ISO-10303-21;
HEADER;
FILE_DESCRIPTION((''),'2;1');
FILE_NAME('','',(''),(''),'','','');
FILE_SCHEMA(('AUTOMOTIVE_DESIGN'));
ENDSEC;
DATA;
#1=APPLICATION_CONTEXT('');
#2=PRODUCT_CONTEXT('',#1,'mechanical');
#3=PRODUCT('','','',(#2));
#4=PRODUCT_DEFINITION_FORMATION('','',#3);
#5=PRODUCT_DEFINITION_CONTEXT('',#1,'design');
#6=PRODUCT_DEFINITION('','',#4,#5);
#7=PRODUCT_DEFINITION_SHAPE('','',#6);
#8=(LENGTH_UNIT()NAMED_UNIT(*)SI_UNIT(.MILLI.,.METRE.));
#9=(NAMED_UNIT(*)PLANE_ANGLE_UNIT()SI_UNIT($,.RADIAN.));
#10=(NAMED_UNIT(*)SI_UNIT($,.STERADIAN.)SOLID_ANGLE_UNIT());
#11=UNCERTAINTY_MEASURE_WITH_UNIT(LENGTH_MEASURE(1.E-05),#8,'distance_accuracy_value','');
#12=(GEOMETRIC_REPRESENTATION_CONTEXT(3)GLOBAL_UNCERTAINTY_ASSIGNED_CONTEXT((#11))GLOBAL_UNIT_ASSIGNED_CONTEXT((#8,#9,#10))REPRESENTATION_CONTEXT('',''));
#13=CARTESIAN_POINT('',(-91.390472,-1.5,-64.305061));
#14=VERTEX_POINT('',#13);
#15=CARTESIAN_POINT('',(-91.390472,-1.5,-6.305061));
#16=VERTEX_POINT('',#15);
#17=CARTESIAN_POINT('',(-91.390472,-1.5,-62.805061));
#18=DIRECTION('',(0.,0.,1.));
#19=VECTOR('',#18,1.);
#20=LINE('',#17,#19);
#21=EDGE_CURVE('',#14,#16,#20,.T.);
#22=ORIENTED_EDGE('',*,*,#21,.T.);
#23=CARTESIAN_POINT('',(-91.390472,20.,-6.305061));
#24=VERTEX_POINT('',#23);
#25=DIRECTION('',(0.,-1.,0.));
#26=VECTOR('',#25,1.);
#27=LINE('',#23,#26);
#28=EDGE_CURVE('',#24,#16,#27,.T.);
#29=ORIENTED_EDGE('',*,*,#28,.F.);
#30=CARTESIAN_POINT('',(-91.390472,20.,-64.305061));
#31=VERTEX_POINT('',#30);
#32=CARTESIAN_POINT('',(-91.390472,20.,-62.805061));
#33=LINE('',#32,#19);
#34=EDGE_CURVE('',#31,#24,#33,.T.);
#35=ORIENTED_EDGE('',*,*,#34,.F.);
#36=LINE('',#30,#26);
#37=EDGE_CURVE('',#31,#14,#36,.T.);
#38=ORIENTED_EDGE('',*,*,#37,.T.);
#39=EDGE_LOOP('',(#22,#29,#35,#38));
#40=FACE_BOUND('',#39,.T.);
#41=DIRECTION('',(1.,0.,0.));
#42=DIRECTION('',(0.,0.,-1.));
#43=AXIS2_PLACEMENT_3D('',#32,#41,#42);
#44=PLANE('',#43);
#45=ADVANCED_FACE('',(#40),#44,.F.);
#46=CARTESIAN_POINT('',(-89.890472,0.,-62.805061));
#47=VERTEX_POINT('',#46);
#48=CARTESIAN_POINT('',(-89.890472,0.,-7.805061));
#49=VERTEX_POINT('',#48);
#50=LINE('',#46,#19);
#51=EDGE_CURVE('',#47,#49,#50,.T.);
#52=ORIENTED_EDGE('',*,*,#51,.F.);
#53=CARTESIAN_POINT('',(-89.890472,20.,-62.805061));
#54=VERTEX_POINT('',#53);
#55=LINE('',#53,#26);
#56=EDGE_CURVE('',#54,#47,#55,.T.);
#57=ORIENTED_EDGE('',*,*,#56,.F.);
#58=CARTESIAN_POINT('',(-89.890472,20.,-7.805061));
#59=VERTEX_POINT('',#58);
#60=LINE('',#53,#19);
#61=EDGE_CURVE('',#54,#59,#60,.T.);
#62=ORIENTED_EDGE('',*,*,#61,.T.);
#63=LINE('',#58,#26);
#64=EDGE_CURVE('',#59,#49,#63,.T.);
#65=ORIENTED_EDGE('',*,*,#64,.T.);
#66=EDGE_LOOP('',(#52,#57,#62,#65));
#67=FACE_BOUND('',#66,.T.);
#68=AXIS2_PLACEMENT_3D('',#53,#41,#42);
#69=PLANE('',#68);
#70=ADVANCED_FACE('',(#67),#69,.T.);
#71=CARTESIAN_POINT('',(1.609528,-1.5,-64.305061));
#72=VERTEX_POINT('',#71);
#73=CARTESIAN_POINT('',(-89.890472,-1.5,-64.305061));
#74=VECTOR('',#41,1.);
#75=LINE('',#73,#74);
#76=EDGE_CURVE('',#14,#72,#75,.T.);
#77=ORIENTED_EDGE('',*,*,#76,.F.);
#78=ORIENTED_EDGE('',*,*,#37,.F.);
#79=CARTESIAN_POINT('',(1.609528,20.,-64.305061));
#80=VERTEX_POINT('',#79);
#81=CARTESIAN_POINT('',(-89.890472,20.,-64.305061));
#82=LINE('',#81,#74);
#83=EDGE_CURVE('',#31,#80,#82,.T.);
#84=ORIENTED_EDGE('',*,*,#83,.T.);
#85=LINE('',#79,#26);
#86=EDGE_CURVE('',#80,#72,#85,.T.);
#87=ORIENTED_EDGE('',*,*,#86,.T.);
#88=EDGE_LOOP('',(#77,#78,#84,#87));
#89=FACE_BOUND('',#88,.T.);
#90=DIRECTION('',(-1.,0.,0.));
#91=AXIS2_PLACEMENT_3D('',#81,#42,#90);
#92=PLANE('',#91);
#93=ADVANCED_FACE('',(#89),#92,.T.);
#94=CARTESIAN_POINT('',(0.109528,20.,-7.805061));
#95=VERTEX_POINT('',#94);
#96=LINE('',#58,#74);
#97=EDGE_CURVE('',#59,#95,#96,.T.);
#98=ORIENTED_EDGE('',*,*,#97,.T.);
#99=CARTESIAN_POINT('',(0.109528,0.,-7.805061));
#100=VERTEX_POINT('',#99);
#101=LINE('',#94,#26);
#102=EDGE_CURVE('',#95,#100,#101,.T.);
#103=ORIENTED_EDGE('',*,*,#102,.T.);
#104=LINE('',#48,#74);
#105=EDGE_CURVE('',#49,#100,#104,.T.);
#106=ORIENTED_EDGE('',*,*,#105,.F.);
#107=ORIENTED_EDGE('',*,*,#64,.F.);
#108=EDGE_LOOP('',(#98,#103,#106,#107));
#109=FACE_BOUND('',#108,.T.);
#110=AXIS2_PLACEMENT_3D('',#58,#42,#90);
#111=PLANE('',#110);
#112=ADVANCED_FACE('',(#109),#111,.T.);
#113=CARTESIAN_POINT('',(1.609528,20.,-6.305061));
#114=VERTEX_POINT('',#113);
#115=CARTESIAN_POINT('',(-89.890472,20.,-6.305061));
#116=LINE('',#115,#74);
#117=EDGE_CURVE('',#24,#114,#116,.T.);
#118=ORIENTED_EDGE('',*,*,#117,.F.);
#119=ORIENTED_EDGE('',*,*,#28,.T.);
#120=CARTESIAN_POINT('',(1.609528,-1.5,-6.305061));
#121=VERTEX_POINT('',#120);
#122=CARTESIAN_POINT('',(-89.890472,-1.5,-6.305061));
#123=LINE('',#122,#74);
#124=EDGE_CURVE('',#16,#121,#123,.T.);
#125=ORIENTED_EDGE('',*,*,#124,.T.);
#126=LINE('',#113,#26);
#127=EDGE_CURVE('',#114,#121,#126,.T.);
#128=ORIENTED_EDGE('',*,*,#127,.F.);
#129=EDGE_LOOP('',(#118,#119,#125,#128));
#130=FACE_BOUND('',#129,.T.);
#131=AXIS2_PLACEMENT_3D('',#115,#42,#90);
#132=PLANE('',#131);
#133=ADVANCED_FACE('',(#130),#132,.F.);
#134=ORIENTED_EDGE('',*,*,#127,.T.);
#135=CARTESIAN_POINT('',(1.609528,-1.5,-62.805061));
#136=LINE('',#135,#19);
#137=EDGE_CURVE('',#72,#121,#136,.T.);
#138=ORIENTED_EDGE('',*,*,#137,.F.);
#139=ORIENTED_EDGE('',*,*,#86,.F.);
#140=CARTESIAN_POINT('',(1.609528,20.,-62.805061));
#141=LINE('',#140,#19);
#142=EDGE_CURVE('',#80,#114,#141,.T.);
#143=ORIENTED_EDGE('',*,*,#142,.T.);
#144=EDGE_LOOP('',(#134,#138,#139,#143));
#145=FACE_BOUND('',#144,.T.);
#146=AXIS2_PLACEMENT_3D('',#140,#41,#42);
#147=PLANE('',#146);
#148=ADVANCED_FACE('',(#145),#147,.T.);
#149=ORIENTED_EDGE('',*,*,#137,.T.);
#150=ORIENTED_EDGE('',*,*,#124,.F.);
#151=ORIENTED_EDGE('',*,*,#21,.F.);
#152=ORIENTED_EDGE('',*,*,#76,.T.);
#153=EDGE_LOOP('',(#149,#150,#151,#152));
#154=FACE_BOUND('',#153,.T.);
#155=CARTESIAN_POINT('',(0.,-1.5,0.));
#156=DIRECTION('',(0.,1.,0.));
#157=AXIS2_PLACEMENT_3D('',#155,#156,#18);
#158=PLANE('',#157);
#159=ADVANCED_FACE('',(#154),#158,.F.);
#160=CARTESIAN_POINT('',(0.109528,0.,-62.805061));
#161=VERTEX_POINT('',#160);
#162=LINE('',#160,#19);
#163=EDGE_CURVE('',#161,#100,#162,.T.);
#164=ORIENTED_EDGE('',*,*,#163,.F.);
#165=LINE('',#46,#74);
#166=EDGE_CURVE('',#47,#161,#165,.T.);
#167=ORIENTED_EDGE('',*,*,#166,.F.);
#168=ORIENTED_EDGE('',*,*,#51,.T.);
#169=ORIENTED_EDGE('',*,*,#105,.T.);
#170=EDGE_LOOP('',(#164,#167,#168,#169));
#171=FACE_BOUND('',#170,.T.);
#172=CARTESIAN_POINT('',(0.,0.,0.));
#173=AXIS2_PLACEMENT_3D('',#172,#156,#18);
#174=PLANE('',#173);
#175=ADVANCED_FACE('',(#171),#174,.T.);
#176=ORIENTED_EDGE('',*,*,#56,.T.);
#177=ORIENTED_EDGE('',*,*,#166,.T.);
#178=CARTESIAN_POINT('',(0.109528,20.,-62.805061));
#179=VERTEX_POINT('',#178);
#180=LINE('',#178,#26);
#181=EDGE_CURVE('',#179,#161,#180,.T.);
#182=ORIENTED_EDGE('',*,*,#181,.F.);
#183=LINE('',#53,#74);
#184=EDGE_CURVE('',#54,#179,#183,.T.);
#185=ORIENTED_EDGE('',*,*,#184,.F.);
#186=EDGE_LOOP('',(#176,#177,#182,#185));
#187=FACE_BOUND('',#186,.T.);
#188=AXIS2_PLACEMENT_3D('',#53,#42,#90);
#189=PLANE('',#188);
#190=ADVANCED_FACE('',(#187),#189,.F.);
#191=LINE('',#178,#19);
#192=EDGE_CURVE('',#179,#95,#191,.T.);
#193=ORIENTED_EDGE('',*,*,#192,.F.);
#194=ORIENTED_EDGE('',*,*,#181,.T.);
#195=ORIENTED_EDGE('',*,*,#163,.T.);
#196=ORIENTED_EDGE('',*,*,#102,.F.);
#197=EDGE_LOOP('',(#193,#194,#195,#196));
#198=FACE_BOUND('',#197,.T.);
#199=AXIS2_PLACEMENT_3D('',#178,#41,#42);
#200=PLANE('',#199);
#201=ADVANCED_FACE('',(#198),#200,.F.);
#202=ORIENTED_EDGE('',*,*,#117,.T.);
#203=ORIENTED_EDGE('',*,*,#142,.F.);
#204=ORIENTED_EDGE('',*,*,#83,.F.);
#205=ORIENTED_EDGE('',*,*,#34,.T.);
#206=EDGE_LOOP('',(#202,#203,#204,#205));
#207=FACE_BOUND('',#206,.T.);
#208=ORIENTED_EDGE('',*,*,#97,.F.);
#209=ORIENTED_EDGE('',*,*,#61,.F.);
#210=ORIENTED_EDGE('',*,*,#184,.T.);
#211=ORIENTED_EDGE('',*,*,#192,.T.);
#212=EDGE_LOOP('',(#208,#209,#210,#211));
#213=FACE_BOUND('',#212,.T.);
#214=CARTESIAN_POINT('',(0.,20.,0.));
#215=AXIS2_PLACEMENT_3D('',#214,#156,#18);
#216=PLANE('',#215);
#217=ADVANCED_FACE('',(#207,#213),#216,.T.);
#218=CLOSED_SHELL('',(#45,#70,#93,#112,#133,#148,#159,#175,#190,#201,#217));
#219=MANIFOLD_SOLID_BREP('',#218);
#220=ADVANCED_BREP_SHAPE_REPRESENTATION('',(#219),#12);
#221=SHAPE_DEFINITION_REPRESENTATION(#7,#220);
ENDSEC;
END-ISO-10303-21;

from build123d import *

# Parameters (mm, degrees)
ESBO_O1_W                = 90
ESBO_O1_H                = 55
RESSALTO_EXTRUS_O1_DEPTH = 20
CASCA1_T                 = 1.5


with BuildPart() as part:
    # Esboço1 → Ressalto-extrusão1 (new body)
    with BuildSketch(Plane(origin=(0, 0, 0), x_dir=(1, 0, 0), z_dir=(0, 1, 0))):
        with Locations((-44.890471739, 35.305061179)):
            Rectangle(ESBO_O1_W, ESBO_O1_H)
    extrude(amount=RESSALTO_EXTRUS_O1_DEPTH)

    # Casca1
    casca1_openings = [part.faces().sort_by_distance(p)[0] for p in [
        (-44.890471739, 20, -35.305061179),
    ]]
    offset(amount=CASCA1_T, openings=casca1_openings, kind=Kind.INTERSECTION)


solid = part.part
